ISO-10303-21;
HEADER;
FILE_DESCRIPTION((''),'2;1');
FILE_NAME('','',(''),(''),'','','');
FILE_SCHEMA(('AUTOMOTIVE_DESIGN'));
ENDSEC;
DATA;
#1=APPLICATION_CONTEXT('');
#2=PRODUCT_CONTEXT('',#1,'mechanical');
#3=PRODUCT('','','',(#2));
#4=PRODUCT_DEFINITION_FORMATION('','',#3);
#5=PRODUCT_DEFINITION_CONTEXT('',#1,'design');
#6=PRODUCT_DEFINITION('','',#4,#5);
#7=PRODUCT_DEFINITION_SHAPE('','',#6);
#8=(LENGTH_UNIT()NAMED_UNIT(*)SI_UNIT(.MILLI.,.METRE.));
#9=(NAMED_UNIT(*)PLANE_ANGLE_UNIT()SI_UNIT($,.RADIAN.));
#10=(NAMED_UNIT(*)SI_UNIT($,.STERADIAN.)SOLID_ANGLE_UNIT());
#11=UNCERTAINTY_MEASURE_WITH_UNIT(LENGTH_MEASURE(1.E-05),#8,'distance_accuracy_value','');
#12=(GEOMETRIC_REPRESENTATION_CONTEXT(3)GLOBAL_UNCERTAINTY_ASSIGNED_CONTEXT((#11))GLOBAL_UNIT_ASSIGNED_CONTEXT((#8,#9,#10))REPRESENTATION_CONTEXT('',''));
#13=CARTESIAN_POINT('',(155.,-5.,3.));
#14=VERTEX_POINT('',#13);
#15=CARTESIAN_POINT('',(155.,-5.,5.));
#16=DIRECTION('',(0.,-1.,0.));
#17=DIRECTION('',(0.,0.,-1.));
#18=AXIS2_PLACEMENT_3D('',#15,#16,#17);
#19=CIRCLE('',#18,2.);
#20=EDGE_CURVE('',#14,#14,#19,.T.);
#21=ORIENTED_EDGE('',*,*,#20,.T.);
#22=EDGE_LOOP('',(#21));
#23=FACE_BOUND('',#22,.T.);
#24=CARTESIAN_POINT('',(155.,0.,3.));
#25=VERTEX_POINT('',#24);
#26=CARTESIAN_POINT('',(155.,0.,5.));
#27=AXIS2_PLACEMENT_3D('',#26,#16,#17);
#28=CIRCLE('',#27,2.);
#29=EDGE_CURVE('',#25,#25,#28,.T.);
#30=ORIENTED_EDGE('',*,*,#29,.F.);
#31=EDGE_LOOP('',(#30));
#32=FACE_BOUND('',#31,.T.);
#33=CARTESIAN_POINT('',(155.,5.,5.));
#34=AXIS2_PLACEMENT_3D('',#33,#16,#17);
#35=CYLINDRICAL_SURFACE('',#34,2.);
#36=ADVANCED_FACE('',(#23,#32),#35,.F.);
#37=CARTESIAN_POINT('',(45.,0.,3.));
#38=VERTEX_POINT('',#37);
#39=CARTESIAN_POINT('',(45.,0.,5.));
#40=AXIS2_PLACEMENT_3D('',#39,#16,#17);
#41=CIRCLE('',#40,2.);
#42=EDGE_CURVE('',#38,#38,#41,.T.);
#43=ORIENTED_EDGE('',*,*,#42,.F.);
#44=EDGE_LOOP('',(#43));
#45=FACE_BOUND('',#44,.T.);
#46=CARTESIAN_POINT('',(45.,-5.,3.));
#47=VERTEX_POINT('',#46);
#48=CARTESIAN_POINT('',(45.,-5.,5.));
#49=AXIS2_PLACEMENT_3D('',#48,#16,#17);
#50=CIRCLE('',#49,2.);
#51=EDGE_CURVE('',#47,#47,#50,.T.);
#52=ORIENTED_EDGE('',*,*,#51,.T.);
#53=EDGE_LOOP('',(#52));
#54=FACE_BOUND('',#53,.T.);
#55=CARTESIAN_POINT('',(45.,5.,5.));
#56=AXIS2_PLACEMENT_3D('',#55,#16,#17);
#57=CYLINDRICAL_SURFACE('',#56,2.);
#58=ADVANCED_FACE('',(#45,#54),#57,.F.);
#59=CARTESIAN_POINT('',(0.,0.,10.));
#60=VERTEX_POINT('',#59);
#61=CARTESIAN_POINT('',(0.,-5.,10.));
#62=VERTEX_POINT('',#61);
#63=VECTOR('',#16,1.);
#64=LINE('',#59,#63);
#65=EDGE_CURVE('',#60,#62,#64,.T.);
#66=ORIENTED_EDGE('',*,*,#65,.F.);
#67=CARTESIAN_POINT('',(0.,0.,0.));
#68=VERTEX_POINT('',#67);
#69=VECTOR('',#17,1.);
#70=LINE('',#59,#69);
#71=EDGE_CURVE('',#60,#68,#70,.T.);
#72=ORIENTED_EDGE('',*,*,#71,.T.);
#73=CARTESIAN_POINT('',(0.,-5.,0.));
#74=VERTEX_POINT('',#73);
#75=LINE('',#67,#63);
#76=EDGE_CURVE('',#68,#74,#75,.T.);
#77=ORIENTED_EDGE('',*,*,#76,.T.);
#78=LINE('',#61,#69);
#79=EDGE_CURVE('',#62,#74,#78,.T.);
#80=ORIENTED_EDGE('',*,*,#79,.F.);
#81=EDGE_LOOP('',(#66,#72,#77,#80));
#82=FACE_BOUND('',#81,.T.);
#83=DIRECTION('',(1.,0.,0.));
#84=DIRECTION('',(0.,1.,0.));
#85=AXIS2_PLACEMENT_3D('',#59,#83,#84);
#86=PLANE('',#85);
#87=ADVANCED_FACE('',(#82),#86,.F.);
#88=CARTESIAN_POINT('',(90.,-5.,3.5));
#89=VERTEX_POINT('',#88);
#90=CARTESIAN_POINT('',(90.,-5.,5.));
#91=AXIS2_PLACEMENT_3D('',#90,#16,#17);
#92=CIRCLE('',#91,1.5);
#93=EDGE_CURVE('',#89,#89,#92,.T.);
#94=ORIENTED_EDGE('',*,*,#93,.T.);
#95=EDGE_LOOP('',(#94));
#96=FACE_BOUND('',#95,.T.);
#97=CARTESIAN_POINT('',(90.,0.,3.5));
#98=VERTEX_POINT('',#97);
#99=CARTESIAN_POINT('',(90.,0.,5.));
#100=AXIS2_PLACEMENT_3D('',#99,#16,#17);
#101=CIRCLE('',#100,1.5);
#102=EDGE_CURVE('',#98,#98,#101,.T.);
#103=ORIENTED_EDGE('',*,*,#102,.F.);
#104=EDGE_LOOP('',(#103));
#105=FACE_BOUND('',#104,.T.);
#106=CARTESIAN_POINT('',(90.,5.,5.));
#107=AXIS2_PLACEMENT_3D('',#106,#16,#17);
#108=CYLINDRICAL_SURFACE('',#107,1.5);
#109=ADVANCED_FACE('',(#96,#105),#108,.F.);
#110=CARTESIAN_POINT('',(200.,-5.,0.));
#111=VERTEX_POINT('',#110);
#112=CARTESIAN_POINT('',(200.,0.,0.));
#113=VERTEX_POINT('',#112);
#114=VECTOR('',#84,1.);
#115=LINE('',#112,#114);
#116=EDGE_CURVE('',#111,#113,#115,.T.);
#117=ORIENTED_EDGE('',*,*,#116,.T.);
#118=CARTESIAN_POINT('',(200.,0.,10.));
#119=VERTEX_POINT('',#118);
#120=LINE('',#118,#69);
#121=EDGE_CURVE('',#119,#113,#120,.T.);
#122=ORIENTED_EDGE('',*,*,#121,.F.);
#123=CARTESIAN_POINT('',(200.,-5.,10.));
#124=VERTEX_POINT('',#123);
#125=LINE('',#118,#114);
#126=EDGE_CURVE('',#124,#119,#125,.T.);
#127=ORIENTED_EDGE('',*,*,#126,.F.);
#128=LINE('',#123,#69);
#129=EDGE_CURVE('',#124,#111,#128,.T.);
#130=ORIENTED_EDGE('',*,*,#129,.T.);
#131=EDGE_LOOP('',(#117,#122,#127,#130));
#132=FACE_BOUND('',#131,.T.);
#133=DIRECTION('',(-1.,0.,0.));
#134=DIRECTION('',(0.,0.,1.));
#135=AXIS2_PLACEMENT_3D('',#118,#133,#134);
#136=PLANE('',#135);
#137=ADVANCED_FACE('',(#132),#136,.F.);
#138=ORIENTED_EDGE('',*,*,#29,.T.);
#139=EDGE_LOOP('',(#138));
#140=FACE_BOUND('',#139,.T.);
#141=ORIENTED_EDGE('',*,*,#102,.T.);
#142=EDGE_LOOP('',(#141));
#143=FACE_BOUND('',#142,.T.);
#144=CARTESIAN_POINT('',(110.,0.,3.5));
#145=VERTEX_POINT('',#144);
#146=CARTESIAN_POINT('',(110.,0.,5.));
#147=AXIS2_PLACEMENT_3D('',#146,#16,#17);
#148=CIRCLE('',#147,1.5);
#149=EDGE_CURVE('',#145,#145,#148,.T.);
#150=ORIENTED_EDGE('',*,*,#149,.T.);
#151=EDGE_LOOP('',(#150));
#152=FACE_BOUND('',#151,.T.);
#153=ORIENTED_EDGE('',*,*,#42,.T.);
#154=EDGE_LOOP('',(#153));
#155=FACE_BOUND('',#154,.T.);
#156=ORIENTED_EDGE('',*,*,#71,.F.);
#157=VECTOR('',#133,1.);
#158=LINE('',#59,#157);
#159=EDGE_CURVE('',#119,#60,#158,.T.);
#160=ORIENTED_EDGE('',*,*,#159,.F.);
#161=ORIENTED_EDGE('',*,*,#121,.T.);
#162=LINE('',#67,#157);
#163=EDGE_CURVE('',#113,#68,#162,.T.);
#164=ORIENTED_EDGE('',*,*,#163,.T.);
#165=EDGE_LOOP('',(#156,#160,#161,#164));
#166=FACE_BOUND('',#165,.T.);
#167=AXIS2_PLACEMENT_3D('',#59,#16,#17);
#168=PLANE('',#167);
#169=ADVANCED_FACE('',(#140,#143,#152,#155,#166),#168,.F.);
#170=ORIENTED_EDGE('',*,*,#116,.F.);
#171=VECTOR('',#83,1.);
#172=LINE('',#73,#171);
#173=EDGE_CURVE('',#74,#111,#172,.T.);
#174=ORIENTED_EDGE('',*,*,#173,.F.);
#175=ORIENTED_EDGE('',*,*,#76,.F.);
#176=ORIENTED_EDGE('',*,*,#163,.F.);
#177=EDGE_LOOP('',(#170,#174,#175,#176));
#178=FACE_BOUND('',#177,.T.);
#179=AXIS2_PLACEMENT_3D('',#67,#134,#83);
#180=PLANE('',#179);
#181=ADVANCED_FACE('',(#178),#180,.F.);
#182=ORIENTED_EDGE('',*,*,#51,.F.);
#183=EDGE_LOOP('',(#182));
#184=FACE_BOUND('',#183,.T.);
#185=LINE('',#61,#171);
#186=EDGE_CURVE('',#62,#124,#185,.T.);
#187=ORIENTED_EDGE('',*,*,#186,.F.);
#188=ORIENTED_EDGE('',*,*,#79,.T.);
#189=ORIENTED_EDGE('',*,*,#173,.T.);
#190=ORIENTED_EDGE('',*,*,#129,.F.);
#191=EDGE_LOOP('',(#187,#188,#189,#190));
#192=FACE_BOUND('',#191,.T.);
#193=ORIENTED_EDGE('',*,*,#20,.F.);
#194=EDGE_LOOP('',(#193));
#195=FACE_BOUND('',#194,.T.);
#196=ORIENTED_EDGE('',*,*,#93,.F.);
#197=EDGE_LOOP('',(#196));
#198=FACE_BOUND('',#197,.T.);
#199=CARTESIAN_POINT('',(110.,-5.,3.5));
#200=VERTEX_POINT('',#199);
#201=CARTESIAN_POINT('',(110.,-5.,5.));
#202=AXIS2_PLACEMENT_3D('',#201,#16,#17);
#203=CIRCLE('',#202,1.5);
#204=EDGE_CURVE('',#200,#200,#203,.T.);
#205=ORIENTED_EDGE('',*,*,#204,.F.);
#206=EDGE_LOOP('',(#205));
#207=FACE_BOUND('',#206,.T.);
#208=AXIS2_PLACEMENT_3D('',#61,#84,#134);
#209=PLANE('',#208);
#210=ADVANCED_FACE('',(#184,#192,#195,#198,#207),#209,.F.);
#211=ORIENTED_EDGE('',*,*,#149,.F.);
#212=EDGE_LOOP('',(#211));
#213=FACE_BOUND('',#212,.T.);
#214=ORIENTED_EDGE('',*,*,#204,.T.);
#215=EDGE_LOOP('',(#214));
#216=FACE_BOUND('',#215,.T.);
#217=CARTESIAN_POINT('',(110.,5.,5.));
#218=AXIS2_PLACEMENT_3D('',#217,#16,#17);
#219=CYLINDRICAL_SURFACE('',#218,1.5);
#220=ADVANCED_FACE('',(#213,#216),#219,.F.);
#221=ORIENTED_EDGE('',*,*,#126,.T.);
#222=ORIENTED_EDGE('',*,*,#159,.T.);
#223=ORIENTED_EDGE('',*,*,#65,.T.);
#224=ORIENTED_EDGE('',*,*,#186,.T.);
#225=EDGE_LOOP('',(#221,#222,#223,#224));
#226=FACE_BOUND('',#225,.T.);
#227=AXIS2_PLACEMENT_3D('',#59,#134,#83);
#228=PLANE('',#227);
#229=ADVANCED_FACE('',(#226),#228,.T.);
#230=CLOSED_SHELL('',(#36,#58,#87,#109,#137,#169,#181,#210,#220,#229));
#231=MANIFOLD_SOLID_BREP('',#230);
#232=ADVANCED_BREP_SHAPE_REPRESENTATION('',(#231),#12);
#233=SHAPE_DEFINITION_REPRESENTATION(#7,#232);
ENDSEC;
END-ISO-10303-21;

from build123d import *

# Parameters (mm, degrees)
ESQUISSE1_W             = 200
ESQUISSE1_H             = 5
BOSS_EXTRU_1_DEPTH      = 10
ESQUISSE3_R             = 2
ENL_V_MAT_EXTRU_1_DEPTH = 10
ESQUISSE3_4_R           = 2
ESQUISSE3_4_R_2         = 1.5
ENL_V_MAT_EXTRU_2_DEPTH = 10


with BuildPart() as part:
    # Esquisse1 → Boss.-Extru.1 (new body)
    with BuildSketch(Plane.XY):
        with Locations((100, -2.5)):
            Rectangle(ESQUISSE1_W, ESQUISSE1_H)
    extrude(amount=BOSS_EXTRU_1_DEPTH)

    # Esquisse3 → Enlèv. mat.-Extru.1 (cut)
    with BuildSketch(Plane.XZ.offset(5)):
        with Locations((45, 5)):
            Circle(ESQUISSE3_R)
    extrude(amount=-ENL_V_MAT_EXTRU_1_DEPTH, mode=Mode.SUBTRACT)

    # Esquisse3<4> → Enlèv. mat.-Extru.2 (cut)
    with BuildSketch(Plane.XZ.offset(5)):
        with Locations((45, 5)):
            Circle(ESQUISSE3_4_R)
        with Locations((155, 5)):
            Circle(ESQUISSE3_4_R)
        with Locations((110, 5)):
            Circle(ESQUISSE3_4_R_2)
        with Locations((90, 5)):
            Circle(ESQUISSE3_4_R_2)
    extrude(amount=-ENL_V_MAT_EXTRU_2_DEPTH, mode=Mode.SUBTRACT)


solid = part.part
